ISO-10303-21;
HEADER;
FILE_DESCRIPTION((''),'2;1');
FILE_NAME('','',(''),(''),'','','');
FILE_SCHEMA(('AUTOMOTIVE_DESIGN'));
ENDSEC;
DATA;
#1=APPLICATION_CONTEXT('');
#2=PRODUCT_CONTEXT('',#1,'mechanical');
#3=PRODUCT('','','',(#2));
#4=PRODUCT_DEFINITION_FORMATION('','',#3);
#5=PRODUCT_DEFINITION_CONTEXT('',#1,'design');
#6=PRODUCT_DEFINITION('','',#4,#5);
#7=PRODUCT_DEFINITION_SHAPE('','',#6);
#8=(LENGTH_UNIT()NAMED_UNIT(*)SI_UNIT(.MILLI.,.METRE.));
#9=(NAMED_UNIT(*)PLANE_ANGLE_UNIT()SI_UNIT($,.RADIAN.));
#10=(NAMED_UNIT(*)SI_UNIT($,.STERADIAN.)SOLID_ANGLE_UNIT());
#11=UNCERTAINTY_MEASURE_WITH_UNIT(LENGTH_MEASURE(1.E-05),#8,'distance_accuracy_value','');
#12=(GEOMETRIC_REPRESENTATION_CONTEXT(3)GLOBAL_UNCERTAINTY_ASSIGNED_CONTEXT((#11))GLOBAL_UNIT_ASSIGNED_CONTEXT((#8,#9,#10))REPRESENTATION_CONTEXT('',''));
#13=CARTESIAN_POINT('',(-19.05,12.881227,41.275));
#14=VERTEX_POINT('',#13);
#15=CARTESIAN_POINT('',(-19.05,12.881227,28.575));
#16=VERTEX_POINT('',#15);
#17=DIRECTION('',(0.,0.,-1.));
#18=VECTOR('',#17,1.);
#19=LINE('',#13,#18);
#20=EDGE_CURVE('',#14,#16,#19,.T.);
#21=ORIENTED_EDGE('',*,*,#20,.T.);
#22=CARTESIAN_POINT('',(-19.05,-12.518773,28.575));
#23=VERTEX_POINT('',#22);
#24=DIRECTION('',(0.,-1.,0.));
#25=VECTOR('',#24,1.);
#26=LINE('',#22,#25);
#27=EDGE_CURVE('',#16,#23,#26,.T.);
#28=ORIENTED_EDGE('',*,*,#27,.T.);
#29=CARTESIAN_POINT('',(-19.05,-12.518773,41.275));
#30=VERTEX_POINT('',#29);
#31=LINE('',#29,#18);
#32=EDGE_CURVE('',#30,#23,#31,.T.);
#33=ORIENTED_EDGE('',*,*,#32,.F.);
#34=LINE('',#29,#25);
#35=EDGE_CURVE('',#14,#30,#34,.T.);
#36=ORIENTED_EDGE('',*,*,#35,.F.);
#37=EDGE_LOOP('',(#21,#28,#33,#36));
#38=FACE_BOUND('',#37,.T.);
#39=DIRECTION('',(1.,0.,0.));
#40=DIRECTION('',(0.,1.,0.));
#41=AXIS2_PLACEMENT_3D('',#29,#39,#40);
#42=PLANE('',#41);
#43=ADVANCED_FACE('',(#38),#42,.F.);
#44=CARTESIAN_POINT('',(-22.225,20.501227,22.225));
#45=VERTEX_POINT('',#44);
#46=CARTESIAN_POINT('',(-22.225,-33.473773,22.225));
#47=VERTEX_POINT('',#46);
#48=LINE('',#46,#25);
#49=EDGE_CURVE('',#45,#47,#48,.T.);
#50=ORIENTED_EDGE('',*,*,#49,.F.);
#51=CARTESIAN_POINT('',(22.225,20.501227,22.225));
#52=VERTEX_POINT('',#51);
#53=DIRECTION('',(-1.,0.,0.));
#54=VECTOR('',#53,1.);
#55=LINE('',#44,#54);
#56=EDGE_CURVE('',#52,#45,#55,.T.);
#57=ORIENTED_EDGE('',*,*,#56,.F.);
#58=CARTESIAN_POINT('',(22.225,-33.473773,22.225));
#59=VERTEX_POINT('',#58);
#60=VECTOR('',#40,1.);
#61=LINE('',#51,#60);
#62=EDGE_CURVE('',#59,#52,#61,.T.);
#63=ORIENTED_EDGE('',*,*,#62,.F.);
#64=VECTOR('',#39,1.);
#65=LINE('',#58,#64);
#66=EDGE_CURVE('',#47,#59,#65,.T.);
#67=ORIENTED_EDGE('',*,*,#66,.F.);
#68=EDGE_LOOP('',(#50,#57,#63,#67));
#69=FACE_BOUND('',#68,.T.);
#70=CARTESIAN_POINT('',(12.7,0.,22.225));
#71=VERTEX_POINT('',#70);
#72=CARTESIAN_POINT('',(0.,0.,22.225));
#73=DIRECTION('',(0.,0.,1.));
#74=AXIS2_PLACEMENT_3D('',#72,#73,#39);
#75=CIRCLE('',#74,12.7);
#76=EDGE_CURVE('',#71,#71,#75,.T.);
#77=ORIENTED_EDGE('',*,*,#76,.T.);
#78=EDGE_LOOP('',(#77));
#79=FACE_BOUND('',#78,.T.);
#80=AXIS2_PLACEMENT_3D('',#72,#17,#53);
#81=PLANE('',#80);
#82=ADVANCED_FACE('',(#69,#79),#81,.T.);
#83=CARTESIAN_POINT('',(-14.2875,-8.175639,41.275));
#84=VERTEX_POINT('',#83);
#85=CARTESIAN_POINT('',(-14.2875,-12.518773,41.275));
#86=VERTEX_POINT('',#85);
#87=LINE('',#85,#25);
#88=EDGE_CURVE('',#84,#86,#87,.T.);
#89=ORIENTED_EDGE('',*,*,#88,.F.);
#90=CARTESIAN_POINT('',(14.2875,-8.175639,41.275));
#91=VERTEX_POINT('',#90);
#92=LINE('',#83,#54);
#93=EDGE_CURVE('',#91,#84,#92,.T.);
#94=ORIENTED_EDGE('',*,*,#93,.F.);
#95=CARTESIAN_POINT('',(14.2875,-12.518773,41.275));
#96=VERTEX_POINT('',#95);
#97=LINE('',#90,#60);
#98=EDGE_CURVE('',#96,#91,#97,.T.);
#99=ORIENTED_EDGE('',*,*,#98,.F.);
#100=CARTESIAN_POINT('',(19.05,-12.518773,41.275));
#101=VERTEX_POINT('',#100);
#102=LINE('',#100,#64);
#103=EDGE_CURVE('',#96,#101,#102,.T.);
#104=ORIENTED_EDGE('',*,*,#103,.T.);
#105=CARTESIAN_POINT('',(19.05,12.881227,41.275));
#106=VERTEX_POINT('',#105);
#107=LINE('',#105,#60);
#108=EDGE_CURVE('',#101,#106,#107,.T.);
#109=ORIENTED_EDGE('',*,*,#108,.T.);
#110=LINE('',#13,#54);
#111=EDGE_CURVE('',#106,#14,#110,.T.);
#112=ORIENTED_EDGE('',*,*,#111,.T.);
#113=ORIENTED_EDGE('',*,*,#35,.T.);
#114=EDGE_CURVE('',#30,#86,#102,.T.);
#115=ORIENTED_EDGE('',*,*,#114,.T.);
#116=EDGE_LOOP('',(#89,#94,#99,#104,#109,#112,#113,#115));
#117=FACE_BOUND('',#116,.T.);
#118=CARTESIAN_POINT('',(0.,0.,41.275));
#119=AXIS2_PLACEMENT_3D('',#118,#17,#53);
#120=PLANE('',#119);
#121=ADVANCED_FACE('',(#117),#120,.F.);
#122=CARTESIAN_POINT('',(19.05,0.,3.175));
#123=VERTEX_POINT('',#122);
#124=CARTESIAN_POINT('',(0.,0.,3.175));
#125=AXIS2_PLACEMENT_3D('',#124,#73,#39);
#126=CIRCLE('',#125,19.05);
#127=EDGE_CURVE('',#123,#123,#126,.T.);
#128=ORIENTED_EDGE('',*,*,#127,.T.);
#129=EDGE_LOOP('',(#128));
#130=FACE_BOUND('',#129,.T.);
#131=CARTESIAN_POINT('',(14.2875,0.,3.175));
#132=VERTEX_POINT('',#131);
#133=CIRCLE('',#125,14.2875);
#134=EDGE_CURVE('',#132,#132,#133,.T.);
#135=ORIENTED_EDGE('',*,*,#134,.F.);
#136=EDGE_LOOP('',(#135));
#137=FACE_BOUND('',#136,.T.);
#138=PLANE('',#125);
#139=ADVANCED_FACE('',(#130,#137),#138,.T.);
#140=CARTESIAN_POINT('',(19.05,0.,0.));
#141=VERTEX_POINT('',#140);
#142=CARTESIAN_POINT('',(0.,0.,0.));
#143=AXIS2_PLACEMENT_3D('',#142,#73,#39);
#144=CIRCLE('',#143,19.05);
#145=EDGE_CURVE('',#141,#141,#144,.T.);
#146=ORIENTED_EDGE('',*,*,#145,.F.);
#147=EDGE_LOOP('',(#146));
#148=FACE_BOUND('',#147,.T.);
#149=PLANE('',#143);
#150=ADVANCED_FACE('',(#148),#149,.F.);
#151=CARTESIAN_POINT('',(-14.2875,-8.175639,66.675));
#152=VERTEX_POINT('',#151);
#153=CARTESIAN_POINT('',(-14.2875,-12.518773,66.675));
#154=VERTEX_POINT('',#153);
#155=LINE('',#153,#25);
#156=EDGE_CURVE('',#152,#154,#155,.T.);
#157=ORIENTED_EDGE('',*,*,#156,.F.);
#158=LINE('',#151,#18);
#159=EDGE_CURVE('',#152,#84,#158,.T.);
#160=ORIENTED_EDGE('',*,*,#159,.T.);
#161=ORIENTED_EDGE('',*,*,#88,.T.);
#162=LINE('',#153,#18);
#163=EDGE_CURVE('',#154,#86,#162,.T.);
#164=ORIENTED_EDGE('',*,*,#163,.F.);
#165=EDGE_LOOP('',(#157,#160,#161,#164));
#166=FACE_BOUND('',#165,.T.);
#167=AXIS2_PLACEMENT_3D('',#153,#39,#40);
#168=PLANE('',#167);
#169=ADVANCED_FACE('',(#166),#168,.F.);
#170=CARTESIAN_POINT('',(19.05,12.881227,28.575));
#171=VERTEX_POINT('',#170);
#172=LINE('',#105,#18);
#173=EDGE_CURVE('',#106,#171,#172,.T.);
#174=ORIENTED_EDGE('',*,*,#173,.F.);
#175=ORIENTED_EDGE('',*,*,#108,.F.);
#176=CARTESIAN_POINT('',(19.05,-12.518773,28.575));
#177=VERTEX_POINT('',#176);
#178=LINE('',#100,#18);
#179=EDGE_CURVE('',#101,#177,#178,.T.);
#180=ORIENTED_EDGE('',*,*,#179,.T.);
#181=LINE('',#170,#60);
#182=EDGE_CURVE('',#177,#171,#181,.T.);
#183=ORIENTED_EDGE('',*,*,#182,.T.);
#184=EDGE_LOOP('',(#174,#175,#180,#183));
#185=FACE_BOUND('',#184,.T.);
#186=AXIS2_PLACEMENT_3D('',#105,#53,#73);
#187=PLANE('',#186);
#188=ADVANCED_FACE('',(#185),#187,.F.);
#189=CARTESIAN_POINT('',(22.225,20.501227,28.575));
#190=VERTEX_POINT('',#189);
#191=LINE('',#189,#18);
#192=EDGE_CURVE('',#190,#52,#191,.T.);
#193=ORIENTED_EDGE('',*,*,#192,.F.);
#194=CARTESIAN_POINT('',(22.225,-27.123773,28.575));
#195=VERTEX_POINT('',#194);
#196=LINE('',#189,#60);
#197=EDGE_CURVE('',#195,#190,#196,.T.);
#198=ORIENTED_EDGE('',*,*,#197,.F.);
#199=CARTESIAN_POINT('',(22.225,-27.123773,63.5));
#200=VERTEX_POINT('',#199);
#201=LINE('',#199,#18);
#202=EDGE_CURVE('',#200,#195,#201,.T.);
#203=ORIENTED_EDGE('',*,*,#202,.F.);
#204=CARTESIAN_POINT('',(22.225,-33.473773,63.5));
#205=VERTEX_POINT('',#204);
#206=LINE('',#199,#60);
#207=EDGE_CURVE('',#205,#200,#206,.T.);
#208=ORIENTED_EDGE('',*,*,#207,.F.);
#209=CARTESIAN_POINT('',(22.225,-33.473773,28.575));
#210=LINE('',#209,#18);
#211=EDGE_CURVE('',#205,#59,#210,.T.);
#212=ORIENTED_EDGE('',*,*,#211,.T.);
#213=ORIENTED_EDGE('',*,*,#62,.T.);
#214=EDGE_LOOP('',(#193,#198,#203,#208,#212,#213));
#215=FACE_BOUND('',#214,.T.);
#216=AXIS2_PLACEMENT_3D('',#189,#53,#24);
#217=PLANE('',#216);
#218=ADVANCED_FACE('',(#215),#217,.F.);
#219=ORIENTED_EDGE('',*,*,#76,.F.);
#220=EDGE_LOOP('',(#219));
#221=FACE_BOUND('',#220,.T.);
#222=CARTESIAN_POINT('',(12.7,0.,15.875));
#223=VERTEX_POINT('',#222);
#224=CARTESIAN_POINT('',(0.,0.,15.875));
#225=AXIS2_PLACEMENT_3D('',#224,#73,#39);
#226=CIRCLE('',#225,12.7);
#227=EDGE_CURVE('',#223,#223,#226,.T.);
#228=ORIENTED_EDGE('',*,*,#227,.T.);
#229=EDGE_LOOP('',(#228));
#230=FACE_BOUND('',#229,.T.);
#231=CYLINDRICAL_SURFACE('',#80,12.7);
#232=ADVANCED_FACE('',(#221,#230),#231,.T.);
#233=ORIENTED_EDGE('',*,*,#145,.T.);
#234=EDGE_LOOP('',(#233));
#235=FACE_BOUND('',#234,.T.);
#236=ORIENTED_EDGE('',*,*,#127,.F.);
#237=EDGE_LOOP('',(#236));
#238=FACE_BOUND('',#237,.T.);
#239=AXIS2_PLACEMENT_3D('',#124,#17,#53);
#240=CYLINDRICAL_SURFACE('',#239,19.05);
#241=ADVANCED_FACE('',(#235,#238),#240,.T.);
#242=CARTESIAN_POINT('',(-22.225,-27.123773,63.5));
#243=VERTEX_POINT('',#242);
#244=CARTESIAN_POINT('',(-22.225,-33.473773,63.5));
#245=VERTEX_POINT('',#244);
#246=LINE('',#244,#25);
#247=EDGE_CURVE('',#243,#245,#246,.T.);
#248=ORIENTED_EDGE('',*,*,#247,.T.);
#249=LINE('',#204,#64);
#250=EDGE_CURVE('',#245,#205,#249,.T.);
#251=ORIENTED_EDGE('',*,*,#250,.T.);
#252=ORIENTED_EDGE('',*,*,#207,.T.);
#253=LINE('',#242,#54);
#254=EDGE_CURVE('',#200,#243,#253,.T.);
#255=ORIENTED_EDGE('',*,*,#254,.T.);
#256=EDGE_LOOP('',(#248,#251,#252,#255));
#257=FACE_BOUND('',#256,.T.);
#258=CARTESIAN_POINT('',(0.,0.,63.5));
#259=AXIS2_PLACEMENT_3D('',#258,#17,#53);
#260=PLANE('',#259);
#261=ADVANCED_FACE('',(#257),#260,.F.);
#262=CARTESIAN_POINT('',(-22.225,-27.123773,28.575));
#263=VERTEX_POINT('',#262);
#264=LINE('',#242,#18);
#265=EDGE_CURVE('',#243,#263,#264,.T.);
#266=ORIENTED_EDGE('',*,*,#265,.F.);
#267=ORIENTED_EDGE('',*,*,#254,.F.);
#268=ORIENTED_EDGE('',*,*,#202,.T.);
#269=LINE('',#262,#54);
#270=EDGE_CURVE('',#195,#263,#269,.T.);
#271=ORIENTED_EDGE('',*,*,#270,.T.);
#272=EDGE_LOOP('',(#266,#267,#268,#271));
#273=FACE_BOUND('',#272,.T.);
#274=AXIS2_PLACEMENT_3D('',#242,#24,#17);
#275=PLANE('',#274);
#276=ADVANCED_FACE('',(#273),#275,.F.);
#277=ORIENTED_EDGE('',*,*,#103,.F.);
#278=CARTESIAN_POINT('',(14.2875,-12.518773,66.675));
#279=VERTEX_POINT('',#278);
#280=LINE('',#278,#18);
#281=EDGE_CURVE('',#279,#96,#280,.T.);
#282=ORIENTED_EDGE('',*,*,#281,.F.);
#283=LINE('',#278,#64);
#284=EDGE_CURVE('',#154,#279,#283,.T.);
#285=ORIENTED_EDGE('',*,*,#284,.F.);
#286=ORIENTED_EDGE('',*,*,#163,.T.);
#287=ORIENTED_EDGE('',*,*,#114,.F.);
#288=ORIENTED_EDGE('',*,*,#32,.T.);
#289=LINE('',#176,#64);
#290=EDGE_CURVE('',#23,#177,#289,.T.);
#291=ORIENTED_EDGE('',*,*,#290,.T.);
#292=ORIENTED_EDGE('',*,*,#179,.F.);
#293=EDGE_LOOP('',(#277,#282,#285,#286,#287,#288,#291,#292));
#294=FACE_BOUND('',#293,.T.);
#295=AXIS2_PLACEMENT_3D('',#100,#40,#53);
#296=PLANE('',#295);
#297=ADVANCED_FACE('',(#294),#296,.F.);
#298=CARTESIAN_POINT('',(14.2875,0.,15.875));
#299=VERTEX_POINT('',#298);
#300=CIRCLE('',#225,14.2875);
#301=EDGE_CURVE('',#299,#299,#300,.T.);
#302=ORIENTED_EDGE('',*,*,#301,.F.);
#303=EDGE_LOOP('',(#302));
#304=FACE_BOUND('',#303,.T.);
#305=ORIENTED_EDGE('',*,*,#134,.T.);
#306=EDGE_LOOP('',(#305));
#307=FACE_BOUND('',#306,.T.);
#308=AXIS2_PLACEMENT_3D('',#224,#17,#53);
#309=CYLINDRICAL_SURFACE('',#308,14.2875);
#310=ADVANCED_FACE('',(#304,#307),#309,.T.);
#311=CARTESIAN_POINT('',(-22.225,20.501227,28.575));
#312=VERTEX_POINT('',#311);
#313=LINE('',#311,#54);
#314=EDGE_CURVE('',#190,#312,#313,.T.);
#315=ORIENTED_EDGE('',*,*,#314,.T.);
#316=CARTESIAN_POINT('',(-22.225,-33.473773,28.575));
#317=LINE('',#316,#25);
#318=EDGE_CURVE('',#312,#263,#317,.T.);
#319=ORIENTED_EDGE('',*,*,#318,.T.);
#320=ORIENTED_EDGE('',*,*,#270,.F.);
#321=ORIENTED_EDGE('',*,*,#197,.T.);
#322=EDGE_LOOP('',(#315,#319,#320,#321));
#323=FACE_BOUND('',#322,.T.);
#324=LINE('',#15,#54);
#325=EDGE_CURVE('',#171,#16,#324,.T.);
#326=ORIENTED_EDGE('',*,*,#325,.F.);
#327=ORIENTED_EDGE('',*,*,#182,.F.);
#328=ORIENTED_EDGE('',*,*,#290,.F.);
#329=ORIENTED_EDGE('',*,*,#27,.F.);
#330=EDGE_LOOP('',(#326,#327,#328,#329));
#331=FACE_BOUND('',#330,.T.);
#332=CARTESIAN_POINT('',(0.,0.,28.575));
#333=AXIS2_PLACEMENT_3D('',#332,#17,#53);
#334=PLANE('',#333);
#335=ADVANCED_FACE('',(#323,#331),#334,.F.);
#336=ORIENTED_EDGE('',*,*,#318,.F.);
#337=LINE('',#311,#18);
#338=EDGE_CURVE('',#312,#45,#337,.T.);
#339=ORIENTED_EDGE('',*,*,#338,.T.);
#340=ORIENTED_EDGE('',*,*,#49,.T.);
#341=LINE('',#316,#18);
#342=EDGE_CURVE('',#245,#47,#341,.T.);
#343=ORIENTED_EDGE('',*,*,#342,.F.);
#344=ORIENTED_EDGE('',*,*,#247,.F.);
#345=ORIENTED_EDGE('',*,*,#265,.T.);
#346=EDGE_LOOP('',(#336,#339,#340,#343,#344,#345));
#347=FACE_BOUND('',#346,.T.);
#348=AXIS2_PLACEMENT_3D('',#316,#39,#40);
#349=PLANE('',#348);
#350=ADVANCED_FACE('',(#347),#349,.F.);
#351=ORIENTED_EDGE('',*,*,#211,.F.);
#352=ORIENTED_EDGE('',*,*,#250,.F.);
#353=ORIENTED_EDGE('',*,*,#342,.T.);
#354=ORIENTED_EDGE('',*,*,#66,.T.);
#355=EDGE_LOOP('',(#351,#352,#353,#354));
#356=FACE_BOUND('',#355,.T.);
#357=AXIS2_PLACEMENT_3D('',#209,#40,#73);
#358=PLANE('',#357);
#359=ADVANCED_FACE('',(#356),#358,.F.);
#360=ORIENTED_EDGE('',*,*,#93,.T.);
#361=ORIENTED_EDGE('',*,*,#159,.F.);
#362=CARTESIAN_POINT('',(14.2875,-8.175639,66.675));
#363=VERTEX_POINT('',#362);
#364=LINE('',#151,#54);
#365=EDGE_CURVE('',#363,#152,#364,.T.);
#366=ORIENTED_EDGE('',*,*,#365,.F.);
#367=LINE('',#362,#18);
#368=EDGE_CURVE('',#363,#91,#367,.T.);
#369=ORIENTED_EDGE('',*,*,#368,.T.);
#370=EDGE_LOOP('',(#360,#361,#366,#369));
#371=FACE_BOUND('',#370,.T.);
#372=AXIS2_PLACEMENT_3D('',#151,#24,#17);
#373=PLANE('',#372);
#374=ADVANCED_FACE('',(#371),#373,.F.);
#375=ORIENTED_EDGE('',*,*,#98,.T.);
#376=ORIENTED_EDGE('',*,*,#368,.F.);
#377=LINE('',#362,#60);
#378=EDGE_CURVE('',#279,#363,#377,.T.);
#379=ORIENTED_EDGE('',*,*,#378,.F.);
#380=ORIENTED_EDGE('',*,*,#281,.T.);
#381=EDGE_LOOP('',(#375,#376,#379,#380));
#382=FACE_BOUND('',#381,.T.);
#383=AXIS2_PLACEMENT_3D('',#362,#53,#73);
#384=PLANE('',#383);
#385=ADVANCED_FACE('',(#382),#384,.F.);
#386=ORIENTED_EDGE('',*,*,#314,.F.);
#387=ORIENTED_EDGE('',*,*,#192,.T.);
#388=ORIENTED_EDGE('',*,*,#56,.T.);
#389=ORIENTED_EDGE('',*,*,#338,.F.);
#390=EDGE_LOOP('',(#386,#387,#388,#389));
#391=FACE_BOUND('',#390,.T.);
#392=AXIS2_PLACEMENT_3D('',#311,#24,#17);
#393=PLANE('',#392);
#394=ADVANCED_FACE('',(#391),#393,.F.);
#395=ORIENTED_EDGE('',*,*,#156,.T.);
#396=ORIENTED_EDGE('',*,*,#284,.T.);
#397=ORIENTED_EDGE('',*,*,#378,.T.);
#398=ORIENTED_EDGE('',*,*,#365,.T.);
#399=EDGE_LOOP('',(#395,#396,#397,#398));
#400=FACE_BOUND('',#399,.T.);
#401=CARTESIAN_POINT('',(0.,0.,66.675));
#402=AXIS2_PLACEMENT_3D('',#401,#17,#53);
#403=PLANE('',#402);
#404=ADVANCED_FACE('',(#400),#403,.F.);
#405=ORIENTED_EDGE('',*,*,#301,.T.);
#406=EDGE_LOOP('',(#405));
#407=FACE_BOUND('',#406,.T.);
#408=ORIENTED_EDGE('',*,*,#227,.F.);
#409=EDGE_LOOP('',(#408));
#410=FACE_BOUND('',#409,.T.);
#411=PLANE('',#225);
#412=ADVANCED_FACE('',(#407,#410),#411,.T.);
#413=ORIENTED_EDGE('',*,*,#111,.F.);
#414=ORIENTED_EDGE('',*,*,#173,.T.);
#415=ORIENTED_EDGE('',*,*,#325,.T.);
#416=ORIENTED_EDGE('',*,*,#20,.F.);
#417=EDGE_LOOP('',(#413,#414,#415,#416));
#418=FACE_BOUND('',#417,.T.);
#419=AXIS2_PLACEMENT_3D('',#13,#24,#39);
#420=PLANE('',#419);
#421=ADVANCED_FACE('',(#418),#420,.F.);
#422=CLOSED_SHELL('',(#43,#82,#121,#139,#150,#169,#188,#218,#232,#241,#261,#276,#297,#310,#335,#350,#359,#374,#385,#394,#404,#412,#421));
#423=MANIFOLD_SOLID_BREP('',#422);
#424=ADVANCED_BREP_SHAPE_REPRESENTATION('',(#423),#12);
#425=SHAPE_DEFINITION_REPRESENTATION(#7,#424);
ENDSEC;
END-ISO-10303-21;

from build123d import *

# Parameters (mm, degrees)
SKETCH1_R           = 19.05
BOSS_EXTRUDE2_DEPTH = 3.175
SKETCH2_R           = 14.2875
BOSS_EXTRUDE3_DEPTH = 12.7
SKETCH5_R           = 12.7
BOSS_EXTRUDE4_DEPTH = 6.35
SKETCH6_W           = 44.45
SKETCH6_H           = 53.975
BOSS_EXTRUDE5_DEPTH = 6.35
SKETCH7_W           = 44.45
SKETCH7_H           = 6.35
BOSS_EXTRUDE6_DEPTH = 34.925
SKETCH8_W           = 38.1
SKETCH8_H           = 25.4
BOSS_EXTRUDE7_DEPTH = 12.7
SKETCH9_W           = 28.575
SKETCH9_H           = 4.343134019
BOSS_EXTRUDE9_DEPTH = 25.4


with BuildPart() as part:
    # Sketch1 → Boss-Extrude2 (new body)
    with BuildSketch(Plane.XY):
        Circle(SKETCH1_R)
    extrude(amount=BOSS_EXTRUDE2_DEPTH)

    # Sketch2 → Boss-Extrude3 (add)
    with BuildSketch(Plane.XY.offset(3.175)):
        Circle(SKETCH2_R)
    extrude(amount=BOSS_EXTRUDE3_DEPTH)

    # Sketch5 → Boss-Extrude4 (add)
    with BuildSketch(Plane.XY.offset(15.875)):
        Circle(SKETCH5_R)
    extrude(amount=BOSS_EXTRUDE4_DEPTH)

    # Sketch6 → Boss-Extrude5 (add)
    with BuildSketch(Plane.XY.offset(22.225)):
        with Locations((0, -6.486273282)):
            Rectangle(SKETCH6_W, SKETCH6_H)
    extrude(amount=BOSS_EXTRUDE5_DEPTH)

    # Sketch7 → Boss-Extrude6 (add)
    with BuildSketch(Plane.XY.offset(28.575)):
        with Locations((0, -30.298773282)):
            Rectangle(SKETCH7_W, SKETCH7_H)
    extrude(amount=BOSS_EXTRUDE6_DEPTH)

    # Sketch8 → Boss-Extrude7 (add)
    with BuildSketch(Plane.XY.offset(28.575)):
        with Locations((0, 0.181226718)):
            Rectangle(SKETCH8_W, SKETCH8_H)
    extrude(amount=BOSS_EXTRUDE7_DEPTH)

    # Sketch9 → Boss-Extrude9 (add)
    with BuildSketch(Plane.XY.offset(41.275)):
        with Locations((0, -10.347206273)):
            Rectangle(SKETCH9_W, SKETCH9_H)
    extrude(amount=BOSS_EXTRUDE9_DEPTH)


solid = part.part
